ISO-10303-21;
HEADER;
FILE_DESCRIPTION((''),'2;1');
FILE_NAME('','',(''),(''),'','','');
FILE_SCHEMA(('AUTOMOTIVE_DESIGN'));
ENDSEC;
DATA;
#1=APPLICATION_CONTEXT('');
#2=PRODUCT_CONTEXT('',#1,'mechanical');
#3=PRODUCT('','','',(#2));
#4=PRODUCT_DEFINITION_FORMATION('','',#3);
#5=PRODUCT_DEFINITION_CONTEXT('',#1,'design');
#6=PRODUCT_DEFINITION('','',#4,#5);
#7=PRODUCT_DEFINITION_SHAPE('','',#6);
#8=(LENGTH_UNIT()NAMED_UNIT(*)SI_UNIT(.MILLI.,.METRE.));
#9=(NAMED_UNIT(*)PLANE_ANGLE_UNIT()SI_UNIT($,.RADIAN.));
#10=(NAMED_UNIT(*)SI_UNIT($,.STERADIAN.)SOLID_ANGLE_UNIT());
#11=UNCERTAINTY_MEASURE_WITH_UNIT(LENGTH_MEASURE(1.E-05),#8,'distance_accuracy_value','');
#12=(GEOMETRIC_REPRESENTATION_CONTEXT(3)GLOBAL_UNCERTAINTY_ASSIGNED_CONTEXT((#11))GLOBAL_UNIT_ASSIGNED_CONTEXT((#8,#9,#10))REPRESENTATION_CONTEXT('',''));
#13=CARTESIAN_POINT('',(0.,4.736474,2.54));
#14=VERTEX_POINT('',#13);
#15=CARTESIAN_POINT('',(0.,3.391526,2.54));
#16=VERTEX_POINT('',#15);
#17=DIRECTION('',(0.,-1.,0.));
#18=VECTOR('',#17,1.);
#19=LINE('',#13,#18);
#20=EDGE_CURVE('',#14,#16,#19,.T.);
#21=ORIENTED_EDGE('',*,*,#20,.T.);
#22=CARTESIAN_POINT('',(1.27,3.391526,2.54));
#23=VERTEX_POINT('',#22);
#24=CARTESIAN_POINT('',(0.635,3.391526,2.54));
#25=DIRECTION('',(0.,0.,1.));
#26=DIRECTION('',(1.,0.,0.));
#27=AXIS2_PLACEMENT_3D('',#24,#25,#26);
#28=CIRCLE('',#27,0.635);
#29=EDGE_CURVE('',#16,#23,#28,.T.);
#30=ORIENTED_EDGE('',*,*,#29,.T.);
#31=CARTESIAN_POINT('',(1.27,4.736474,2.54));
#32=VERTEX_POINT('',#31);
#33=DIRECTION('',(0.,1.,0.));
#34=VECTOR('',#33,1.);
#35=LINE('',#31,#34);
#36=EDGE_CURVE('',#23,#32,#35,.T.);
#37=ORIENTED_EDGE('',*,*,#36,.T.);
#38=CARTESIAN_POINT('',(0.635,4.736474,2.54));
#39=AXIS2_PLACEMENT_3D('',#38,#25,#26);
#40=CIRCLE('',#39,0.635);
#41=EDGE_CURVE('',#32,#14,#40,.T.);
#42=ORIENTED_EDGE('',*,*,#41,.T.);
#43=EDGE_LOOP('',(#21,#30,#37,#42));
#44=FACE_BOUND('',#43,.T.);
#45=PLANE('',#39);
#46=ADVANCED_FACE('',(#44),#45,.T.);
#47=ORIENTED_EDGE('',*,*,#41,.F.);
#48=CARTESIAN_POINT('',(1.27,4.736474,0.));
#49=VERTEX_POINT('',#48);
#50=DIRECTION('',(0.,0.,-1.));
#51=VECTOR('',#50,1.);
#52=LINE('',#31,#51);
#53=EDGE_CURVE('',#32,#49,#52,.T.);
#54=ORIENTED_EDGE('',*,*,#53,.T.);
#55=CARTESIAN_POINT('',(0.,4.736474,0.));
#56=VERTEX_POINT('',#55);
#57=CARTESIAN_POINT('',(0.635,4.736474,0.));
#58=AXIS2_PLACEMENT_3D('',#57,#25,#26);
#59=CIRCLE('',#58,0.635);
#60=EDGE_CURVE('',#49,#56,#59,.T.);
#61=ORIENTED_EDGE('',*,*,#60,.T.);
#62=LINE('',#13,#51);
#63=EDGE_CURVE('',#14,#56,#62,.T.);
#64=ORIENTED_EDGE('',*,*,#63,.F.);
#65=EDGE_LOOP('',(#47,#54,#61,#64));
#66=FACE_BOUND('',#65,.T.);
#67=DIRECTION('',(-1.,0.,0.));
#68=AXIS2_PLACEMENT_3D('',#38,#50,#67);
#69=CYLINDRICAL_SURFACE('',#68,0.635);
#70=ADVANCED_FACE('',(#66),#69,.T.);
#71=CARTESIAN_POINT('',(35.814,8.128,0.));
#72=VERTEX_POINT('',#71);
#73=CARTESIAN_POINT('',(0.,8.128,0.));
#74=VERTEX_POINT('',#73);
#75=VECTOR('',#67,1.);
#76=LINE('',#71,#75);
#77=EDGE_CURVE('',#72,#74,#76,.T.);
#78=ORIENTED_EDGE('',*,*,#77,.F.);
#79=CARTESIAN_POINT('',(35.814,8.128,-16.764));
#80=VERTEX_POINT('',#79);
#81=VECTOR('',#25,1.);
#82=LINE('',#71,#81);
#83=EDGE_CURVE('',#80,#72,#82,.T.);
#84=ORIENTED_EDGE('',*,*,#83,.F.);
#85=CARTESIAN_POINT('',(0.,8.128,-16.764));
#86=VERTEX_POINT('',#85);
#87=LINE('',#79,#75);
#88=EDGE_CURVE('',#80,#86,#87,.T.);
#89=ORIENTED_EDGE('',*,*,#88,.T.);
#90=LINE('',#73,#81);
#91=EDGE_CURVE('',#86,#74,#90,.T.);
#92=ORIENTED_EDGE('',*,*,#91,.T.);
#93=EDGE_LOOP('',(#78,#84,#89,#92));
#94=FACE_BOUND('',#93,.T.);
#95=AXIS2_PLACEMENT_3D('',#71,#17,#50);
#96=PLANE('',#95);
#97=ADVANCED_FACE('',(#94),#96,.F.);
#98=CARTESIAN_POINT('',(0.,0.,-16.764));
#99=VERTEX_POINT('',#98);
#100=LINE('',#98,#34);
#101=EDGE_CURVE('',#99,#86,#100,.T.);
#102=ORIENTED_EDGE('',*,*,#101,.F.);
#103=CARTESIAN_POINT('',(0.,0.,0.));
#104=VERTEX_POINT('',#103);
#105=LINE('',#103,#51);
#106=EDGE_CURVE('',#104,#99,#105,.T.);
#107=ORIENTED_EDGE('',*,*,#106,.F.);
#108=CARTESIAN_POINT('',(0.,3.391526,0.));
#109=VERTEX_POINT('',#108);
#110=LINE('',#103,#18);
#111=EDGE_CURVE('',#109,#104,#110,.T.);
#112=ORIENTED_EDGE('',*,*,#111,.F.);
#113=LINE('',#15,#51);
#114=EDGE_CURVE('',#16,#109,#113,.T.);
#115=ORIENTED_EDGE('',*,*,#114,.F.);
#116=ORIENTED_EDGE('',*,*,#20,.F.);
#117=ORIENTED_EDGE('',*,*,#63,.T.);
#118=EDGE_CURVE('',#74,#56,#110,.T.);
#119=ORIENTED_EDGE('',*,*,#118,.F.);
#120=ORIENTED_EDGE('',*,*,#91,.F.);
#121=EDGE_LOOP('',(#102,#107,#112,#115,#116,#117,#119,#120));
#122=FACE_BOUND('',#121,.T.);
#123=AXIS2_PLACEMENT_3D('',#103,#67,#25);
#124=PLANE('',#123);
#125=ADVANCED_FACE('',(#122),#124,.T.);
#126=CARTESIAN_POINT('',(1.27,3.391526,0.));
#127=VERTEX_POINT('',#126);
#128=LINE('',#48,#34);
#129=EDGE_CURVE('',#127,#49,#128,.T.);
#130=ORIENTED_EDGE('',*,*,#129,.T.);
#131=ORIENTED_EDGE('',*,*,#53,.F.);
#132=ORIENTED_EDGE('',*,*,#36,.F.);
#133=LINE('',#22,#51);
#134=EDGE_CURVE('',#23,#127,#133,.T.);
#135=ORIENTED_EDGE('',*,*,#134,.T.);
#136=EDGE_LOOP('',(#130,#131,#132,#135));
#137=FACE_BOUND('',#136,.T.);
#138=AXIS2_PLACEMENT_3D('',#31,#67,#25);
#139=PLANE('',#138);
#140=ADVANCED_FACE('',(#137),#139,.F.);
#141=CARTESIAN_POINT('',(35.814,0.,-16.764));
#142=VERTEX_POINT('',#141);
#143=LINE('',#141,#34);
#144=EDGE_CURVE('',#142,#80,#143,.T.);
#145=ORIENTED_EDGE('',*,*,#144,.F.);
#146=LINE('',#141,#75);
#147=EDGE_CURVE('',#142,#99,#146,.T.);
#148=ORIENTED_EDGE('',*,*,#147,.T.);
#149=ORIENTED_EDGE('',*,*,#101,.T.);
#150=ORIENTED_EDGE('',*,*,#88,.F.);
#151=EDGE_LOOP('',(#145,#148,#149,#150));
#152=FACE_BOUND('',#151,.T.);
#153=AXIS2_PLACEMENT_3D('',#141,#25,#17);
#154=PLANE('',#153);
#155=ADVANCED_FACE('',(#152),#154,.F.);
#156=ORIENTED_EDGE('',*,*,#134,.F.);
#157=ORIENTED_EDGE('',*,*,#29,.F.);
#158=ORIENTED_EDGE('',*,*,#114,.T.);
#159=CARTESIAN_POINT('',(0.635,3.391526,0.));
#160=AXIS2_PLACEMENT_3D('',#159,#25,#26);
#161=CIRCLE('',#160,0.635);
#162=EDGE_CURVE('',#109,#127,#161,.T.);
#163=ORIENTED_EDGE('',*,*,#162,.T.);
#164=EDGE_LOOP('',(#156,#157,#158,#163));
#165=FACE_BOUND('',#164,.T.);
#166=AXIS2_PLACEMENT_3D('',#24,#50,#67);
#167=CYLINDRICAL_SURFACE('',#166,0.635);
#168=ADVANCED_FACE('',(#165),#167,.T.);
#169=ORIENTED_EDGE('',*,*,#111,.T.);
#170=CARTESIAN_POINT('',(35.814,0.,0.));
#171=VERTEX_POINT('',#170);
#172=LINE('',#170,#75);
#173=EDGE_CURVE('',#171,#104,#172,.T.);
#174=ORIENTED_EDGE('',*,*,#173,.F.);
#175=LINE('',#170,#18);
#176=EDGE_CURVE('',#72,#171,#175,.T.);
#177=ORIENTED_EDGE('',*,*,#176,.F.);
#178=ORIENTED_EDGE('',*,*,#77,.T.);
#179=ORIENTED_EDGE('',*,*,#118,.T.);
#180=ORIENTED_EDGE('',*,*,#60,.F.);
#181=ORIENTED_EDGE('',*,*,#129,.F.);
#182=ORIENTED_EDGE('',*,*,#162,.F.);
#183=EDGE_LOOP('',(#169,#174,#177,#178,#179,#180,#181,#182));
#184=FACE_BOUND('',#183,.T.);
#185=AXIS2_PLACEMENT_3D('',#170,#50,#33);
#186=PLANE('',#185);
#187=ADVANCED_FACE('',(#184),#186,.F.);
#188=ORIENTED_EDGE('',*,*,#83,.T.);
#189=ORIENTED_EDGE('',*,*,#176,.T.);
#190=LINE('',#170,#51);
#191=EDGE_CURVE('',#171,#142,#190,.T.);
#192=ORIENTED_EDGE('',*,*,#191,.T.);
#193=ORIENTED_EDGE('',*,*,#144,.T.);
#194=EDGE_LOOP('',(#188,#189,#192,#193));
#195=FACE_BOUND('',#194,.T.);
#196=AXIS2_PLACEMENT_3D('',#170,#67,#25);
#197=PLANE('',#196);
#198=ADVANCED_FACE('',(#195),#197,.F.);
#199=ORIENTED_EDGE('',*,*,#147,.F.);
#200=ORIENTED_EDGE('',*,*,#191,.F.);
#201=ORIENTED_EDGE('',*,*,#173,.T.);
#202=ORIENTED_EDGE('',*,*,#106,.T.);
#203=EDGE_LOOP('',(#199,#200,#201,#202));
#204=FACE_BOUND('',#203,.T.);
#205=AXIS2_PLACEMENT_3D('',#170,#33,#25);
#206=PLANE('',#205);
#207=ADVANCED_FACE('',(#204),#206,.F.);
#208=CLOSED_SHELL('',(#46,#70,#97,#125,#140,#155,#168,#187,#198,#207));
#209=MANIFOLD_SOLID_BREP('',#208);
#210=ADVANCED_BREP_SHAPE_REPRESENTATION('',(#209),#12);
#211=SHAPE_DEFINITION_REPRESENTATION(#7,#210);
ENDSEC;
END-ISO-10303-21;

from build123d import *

# Parameters (mm, degrees)
SKETCH1_W           = 16.764
SKETCH1_H           = 8.128
BOSS_EXTRUDE1_DEPTH = 35.814
BOSS_EXTRUDE2_DEPTH = 2.54


with BuildPart() as part:
    # Sketch1 → Boss-Extrude1 (new body)
    with BuildSketch(Plane(origin=(0, 0, 0), x_dir=(0, 0, -1), z_dir=(1, 0, 0))):
        with Locations((8.382, 4.064)):
            Rectangle(SKETCH1_W, SKETCH1_H)
    extrude(amount=BOSS_EXTRUDE1_DEPTH)

    # Sketch2 → Boss-Extrude2 (add)
    with BuildSketch(Plane.XY):
        with BuildLine():
            Line((1.27, 4.736473545), (1.27, 3.391526455))
            ThreePointArc((1.27, 3.391526455), (0.635, 2.756526455), (0, 3.391526455))
            Line((0, 3.391526455), (0, 4.736473545))
            ThreePointArc((0, 4.736473545), (0.635, 5.371473545), (1.27, 4.736473545))
        make_face()
    extrude(amount=BOSS_EXTRUDE2_DEPTH)


solid = part.part
